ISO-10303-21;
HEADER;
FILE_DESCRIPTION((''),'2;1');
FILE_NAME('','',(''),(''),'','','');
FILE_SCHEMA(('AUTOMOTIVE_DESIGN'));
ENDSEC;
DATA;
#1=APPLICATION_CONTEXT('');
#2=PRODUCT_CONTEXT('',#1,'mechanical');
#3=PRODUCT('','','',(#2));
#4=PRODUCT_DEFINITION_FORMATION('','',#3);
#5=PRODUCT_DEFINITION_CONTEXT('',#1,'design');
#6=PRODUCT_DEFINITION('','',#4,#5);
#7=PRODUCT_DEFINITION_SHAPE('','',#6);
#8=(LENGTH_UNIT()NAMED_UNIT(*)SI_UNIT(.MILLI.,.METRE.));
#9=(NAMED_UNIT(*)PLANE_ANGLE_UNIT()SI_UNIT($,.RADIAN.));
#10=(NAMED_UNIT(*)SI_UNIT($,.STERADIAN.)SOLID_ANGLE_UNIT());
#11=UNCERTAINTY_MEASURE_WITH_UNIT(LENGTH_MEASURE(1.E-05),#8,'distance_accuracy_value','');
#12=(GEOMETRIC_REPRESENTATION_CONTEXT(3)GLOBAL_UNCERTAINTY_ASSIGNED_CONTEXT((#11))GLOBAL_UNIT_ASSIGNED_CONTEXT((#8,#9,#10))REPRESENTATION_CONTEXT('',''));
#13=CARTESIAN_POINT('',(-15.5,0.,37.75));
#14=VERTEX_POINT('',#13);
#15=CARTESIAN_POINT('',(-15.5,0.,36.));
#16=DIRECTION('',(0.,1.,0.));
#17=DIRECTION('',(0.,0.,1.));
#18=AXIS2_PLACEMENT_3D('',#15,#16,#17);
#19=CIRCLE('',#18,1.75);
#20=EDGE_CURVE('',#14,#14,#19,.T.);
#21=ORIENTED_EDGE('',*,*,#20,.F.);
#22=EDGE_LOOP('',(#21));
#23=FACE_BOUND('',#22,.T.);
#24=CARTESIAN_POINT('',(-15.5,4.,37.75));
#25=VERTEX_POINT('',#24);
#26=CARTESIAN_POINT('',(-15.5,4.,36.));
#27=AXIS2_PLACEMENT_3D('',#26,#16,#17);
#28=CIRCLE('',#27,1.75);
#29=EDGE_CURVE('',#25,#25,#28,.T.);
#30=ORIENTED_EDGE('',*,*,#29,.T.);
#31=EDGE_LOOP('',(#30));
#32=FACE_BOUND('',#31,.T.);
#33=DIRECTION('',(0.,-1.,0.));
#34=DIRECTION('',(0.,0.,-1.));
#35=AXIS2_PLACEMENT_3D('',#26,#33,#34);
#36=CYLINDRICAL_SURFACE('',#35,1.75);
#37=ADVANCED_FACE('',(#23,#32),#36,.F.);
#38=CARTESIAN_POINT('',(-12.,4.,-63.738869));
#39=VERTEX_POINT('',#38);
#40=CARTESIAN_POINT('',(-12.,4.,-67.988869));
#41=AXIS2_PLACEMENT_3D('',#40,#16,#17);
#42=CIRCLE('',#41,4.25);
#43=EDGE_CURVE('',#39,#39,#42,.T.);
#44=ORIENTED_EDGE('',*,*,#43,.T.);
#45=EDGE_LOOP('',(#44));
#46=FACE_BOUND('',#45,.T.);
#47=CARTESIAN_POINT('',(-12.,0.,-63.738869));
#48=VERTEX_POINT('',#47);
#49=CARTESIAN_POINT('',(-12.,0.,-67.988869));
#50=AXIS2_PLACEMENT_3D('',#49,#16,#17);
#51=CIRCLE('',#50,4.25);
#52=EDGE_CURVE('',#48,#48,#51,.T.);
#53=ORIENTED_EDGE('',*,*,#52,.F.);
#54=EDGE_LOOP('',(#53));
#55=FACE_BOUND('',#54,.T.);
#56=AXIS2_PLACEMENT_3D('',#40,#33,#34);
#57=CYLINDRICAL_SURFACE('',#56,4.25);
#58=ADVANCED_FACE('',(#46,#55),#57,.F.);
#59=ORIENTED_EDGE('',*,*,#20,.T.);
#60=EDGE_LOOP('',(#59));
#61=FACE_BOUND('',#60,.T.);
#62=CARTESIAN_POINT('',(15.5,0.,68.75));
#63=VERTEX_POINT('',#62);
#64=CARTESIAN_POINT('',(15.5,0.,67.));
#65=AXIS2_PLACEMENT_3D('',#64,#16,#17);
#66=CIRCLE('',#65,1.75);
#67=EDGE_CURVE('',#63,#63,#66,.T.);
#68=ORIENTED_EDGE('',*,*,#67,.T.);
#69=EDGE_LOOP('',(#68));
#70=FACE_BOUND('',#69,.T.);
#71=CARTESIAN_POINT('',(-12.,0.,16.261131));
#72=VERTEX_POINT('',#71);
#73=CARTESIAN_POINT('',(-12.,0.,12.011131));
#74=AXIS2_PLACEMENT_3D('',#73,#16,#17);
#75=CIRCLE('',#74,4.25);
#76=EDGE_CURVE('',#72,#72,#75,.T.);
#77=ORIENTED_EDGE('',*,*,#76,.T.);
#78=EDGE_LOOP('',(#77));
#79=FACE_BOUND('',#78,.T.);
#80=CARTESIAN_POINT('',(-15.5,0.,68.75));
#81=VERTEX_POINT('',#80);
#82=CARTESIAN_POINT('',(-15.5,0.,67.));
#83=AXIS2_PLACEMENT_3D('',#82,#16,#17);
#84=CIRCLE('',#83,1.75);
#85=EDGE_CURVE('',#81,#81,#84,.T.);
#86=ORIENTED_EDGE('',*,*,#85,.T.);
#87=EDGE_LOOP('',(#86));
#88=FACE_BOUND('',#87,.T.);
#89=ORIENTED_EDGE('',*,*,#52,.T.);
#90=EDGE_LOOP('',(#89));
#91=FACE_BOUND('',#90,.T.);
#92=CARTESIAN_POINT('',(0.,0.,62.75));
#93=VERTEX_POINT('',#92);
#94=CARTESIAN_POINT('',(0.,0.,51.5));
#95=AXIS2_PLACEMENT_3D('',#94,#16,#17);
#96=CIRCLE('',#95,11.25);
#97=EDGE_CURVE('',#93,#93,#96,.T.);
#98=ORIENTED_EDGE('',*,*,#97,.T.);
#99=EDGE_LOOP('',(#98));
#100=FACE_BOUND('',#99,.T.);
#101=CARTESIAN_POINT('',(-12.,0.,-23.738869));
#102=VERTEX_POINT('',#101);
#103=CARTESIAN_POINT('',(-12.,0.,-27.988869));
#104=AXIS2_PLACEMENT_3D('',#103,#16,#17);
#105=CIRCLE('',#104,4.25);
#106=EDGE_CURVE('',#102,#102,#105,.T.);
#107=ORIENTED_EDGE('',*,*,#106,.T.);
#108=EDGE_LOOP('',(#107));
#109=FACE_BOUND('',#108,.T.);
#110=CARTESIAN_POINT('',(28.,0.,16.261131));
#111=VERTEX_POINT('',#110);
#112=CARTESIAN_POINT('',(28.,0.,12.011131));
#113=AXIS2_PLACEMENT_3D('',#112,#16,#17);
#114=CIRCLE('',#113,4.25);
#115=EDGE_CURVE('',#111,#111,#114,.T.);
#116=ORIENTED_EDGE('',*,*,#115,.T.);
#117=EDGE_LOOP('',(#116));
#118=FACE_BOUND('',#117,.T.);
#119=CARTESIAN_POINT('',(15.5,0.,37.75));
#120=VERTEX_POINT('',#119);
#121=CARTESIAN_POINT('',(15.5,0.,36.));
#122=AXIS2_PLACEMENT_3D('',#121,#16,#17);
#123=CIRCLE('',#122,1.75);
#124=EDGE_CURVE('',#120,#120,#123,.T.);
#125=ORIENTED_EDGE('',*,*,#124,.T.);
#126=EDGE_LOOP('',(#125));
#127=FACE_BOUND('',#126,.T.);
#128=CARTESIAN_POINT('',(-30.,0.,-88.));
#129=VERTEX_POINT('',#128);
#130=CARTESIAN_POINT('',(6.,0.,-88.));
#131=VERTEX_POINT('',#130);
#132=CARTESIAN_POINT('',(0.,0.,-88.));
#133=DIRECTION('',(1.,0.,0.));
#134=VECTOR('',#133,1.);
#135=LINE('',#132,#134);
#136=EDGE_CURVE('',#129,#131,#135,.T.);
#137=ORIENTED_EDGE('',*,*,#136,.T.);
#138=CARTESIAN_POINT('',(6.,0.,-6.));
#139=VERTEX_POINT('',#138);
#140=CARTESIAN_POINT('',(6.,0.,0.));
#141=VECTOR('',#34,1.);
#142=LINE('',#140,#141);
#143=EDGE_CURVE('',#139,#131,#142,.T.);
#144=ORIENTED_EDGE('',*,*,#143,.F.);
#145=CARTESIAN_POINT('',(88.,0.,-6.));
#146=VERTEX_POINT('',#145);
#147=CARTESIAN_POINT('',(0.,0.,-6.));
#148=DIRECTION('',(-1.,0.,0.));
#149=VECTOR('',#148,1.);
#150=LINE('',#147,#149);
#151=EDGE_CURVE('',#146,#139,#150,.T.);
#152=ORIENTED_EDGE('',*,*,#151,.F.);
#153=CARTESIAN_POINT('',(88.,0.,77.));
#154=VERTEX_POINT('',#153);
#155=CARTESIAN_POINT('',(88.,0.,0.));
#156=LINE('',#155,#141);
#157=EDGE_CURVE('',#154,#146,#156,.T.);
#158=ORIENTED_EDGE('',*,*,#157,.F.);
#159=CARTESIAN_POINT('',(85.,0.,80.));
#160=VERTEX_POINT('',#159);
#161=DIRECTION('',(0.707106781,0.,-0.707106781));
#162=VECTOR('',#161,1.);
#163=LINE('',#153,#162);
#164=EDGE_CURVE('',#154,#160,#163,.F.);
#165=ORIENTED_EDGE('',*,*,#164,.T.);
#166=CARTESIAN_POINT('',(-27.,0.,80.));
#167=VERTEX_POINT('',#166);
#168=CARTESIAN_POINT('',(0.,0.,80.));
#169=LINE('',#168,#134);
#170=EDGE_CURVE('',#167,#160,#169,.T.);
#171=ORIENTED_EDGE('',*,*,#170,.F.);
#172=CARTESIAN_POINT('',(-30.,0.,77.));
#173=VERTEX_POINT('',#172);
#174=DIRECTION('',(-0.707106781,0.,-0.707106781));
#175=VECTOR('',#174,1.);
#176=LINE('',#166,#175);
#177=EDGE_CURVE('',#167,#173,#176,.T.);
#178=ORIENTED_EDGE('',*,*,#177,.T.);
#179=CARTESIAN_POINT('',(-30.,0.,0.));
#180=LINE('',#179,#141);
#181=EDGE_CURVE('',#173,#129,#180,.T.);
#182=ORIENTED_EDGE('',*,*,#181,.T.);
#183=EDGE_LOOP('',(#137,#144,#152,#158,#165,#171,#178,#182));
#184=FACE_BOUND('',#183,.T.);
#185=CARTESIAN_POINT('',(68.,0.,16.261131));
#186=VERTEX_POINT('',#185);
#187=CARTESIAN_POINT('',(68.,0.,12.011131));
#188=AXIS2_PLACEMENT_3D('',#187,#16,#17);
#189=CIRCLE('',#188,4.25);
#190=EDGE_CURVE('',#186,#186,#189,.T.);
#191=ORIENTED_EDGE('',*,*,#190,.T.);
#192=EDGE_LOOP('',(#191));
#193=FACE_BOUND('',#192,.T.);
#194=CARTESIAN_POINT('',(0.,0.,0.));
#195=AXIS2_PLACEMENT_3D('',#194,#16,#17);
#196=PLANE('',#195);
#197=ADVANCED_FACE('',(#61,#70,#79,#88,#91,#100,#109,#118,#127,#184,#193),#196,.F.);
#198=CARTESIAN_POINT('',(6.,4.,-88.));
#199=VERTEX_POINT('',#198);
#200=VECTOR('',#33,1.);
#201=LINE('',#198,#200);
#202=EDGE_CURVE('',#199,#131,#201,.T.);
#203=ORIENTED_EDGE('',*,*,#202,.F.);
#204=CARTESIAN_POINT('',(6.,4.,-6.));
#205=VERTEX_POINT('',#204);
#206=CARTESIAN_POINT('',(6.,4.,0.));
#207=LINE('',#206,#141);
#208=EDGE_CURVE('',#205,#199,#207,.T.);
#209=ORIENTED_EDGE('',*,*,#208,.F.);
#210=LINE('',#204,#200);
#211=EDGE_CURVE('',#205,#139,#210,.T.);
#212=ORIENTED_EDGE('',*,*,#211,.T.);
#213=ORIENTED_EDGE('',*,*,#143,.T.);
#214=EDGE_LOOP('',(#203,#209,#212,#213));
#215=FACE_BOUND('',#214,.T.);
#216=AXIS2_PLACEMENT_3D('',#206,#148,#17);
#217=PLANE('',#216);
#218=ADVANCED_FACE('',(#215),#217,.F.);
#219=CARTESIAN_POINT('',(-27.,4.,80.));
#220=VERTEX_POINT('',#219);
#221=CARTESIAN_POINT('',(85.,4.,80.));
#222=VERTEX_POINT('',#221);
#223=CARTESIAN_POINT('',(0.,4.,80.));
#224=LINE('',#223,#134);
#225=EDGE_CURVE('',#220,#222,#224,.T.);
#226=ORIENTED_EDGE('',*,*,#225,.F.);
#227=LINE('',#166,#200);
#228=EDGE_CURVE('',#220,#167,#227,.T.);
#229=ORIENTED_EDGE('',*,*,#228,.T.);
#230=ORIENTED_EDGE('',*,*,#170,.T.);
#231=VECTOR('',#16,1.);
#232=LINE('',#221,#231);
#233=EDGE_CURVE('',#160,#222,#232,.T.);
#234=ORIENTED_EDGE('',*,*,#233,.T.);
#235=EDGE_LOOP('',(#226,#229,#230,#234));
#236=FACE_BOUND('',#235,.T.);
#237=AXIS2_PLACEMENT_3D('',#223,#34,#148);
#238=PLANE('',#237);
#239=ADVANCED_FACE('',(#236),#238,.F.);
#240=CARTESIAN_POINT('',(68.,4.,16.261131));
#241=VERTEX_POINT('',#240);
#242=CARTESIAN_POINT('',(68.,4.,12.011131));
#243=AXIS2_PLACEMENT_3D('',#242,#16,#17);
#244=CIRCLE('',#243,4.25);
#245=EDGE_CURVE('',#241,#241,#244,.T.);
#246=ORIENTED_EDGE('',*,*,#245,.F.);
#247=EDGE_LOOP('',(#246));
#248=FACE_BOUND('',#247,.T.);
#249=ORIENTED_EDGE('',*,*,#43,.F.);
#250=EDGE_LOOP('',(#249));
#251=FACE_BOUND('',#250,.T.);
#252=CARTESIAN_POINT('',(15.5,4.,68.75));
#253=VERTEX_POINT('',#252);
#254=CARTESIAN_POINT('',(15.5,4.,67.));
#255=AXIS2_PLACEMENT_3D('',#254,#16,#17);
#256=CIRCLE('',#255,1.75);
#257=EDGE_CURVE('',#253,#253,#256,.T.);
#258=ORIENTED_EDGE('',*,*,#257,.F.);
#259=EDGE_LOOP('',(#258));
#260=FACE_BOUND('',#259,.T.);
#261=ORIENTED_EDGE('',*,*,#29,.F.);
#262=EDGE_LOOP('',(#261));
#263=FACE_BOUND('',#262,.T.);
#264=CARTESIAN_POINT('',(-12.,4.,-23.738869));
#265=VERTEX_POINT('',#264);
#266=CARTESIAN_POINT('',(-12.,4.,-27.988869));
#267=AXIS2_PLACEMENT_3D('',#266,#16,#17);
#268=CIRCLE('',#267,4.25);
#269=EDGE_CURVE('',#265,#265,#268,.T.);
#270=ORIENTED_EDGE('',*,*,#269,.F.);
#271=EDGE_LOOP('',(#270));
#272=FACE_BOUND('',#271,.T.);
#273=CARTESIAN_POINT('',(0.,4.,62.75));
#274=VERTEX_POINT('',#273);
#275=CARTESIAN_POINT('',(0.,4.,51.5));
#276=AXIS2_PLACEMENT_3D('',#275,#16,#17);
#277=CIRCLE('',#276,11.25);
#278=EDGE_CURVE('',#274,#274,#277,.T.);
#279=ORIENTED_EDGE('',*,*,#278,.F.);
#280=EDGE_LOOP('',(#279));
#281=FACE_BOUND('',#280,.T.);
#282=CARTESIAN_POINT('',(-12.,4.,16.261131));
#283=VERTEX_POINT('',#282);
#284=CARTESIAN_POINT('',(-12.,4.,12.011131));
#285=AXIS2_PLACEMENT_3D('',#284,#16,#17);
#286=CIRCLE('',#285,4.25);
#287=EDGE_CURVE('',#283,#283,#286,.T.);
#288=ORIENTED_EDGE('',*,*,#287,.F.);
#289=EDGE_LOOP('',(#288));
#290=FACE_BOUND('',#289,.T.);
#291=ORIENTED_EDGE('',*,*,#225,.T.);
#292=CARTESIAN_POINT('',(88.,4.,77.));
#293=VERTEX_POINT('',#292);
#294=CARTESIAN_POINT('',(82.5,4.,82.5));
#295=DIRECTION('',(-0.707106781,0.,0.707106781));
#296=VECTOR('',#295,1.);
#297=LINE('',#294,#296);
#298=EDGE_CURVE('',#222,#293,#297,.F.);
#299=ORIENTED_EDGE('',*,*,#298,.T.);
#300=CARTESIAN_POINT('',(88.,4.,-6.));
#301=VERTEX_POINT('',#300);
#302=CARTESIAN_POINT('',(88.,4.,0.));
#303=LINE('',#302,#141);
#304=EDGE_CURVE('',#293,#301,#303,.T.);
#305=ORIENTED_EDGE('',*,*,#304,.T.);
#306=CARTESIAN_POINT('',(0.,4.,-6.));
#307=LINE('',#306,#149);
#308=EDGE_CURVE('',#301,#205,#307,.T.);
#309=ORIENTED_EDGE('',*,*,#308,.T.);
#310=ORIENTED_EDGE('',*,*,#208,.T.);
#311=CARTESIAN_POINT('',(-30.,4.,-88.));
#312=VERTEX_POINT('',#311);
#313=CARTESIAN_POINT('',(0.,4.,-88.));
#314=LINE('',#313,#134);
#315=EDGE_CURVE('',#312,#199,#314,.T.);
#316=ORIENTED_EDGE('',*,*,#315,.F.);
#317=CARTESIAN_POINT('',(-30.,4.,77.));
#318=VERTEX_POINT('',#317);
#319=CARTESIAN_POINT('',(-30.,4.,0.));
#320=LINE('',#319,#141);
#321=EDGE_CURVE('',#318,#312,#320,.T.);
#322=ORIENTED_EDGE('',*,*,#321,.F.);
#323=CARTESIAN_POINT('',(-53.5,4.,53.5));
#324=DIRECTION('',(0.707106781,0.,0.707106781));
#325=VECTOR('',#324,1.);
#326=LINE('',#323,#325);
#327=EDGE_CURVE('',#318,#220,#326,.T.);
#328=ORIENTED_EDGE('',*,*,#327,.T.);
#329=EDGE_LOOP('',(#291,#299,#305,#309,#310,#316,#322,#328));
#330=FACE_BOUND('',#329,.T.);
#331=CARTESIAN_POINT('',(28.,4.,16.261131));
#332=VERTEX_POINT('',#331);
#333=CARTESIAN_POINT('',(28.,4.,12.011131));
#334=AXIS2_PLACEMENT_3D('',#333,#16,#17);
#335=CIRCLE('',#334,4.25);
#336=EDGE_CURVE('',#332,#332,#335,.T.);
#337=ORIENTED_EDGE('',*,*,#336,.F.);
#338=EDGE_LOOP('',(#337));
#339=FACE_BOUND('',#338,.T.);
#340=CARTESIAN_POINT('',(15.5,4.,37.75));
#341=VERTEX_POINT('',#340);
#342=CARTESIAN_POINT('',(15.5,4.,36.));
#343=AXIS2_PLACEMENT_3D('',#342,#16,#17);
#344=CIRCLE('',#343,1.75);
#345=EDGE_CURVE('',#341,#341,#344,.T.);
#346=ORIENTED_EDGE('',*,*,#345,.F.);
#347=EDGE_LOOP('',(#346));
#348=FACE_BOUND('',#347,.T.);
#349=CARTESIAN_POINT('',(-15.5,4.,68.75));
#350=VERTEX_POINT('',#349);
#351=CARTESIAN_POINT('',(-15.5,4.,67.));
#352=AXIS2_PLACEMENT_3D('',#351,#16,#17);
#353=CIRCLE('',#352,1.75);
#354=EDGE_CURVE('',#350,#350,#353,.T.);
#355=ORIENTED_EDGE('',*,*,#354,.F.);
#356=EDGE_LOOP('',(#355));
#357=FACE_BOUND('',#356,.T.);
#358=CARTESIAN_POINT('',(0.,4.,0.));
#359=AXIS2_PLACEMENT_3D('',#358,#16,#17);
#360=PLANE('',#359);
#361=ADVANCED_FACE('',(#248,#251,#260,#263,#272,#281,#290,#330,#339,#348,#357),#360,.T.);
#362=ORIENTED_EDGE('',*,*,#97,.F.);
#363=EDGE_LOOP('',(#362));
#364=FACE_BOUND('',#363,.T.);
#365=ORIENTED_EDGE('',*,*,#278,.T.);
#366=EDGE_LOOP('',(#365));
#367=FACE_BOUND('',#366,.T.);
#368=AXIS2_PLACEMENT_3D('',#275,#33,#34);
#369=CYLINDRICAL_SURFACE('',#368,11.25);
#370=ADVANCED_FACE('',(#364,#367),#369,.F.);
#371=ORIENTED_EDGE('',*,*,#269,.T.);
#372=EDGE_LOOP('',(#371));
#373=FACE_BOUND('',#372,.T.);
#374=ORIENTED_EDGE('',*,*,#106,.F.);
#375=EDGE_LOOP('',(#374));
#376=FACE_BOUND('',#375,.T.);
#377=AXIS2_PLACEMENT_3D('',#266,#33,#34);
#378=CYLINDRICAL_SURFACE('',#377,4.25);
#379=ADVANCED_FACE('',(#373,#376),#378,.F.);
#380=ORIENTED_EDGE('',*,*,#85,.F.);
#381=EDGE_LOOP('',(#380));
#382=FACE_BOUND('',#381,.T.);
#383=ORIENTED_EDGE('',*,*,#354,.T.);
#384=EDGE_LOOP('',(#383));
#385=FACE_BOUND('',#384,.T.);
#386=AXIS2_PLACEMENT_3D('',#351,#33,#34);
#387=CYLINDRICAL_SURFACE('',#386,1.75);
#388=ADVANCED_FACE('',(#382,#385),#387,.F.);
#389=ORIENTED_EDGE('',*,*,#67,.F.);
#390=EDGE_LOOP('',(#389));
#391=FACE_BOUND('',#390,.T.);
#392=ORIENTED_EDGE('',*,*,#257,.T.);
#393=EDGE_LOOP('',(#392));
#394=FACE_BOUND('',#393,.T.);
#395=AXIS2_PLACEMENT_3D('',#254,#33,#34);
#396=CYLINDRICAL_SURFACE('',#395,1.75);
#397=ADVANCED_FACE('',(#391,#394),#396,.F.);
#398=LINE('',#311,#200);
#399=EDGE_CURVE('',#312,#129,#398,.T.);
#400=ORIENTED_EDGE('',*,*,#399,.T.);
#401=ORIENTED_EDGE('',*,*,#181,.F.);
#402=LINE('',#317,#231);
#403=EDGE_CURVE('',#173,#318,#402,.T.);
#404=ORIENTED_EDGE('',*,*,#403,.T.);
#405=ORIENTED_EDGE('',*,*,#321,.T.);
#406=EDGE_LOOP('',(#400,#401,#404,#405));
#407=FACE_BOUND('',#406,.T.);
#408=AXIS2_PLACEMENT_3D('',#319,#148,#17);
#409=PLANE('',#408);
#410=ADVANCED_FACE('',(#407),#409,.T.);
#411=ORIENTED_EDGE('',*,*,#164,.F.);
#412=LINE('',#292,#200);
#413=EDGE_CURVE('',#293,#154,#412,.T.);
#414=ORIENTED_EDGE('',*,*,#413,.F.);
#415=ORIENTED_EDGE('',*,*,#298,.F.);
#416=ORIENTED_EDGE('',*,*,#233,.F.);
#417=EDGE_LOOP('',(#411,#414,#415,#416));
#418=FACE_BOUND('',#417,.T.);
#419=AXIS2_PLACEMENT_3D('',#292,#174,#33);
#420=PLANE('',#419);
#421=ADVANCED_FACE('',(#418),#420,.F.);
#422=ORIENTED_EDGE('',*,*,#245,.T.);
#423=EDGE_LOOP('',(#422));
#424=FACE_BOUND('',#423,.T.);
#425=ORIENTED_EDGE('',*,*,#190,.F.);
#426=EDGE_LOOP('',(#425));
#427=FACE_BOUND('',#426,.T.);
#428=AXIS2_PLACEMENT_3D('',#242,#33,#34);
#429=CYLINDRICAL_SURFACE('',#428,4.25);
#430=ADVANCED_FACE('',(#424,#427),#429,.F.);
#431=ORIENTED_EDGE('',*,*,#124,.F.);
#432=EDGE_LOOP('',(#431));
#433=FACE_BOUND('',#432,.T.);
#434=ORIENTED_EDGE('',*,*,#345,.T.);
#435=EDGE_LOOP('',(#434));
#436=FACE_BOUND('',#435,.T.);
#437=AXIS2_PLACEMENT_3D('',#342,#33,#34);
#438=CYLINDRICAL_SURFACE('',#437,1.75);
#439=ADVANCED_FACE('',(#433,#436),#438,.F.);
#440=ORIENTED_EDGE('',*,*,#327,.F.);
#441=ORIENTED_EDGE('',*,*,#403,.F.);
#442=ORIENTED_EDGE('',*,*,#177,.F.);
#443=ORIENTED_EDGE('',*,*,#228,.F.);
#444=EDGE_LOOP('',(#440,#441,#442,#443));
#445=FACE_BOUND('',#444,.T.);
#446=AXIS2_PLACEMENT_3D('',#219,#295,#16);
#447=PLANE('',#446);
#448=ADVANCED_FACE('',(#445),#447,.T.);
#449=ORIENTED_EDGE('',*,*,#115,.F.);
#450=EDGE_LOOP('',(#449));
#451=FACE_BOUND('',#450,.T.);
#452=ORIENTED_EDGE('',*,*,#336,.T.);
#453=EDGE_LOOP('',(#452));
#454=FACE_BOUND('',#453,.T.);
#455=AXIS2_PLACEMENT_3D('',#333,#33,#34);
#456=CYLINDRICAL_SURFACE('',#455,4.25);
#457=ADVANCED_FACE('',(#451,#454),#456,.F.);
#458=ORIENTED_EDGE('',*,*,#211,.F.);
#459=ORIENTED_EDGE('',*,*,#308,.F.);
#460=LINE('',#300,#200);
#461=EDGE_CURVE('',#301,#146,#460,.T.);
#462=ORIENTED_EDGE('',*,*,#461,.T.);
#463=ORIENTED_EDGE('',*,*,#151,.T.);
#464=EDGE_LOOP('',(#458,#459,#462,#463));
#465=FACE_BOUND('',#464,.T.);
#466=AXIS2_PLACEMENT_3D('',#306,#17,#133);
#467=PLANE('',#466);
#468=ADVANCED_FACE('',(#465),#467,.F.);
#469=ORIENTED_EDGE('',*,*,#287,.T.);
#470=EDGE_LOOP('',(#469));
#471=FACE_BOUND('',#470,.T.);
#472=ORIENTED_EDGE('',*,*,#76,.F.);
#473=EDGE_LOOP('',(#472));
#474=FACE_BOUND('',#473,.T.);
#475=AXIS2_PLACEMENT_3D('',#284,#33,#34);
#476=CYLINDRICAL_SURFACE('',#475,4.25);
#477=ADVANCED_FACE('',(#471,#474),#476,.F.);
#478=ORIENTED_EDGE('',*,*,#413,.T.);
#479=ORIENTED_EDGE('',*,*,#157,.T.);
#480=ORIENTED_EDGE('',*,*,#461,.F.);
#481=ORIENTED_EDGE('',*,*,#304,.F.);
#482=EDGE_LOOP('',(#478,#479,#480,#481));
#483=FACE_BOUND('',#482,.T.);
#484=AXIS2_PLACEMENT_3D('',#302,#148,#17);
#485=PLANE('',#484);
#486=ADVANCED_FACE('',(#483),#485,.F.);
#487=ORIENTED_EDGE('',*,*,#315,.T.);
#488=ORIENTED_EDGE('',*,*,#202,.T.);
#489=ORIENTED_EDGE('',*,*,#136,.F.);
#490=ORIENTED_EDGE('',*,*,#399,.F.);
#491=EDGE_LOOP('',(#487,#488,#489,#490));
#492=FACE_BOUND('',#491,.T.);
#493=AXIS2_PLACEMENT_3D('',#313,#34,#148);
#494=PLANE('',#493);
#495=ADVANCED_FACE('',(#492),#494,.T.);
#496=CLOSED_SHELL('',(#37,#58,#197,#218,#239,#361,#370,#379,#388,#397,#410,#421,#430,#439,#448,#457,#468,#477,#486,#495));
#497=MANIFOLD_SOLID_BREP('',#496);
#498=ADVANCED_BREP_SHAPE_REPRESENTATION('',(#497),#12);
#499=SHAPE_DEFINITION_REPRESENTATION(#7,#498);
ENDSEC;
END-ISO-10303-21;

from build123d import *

# Parameters (mm, degrees)
SKETCH1_R           = 4.25
BOSS_EXTRUDE1_DEPTH = 4
SKETCH1_3_R         = 1.75
SKETCH1_3_R_2       = 11.25
BOSS_EXTRUDE2_DEPTH = 4
CHAMFER1_SIZE       = 3


with BuildPart() as part:
    # Sketch1 → Boss-Extrude1 (new body)
    with BuildSketch(Plane(origin=(0, 0, 0), x_dir=(1, 0, 0), z_dir=(0, 1, 0))):
        Polygon((-30, 88), (-30, -30), (88, -30.072989915), (88, -30), (88, 6), (6, 6), (6, 88), align=None)
        with Locations((-12, -12.011130611)):
            Circle(SKETCH1_R, mode=Mode.SUBTRACT)
        with Locations((28, -12.011130611)):
            Circle(SKETCH1_R, mode=Mode.SUBTRACT)
        with Locations((68, -12.011130611)):
            Circle(SKETCH1_R, mode=Mode.SUBTRACT)
        with Locations((-12, 27.988869389)):
            Circle(SKETCH1_R, mode=Mode.SUBTRACT)
        with Locations((-12, 67.988869389)):
            Circle(SKETCH1_R, mode=Mode.SUBTRACT)
    extrude(amount=BOSS_EXTRUDE1_DEPTH)

    # Sketch1<3> → Boss-Extrude2 (add)
    with BuildSketch(Plane(origin=(0, 0, 0), x_dir=(1, 0, 0), z_dir=(0, 1, 0))):
        Polygon((88, -30.072989915), (-30, -30), (-30, -80), (88, -80), align=None)
        with Locations((-15.5, -67)):
            Circle(SKETCH1_3_R, mode=Mode.SUBTRACT)
        with Locations((15.5, -67)):
            Circle(SKETCH1_3_R, mode=Mode.SUBTRACT)
        with Locations((0, -51.5)):
            Circle(SKETCH1_3_R_2, mode=Mode.SUBTRACT)
        with Locations((-15.5, -36)):
            Circle(SKETCH1_3_R, mode=Mode.SUBTRACT)
        with Locations((15.5, -36)):
            Circle(SKETCH1_3_R, mode=Mode.SUBTRACT)
    extrude(amount=BOSS_EXTRUDE2_DEPTH)

    # Chamfer1
    chamfer1_edges = [part.edges().sort_by_distance(p)[0] for p in [
        (88, 2, 80),
        (-30, 2, 80),
    ]]
    chamfer(chamfer1_edges, length=CHAMFER1_SIZE)


solid = part.part
